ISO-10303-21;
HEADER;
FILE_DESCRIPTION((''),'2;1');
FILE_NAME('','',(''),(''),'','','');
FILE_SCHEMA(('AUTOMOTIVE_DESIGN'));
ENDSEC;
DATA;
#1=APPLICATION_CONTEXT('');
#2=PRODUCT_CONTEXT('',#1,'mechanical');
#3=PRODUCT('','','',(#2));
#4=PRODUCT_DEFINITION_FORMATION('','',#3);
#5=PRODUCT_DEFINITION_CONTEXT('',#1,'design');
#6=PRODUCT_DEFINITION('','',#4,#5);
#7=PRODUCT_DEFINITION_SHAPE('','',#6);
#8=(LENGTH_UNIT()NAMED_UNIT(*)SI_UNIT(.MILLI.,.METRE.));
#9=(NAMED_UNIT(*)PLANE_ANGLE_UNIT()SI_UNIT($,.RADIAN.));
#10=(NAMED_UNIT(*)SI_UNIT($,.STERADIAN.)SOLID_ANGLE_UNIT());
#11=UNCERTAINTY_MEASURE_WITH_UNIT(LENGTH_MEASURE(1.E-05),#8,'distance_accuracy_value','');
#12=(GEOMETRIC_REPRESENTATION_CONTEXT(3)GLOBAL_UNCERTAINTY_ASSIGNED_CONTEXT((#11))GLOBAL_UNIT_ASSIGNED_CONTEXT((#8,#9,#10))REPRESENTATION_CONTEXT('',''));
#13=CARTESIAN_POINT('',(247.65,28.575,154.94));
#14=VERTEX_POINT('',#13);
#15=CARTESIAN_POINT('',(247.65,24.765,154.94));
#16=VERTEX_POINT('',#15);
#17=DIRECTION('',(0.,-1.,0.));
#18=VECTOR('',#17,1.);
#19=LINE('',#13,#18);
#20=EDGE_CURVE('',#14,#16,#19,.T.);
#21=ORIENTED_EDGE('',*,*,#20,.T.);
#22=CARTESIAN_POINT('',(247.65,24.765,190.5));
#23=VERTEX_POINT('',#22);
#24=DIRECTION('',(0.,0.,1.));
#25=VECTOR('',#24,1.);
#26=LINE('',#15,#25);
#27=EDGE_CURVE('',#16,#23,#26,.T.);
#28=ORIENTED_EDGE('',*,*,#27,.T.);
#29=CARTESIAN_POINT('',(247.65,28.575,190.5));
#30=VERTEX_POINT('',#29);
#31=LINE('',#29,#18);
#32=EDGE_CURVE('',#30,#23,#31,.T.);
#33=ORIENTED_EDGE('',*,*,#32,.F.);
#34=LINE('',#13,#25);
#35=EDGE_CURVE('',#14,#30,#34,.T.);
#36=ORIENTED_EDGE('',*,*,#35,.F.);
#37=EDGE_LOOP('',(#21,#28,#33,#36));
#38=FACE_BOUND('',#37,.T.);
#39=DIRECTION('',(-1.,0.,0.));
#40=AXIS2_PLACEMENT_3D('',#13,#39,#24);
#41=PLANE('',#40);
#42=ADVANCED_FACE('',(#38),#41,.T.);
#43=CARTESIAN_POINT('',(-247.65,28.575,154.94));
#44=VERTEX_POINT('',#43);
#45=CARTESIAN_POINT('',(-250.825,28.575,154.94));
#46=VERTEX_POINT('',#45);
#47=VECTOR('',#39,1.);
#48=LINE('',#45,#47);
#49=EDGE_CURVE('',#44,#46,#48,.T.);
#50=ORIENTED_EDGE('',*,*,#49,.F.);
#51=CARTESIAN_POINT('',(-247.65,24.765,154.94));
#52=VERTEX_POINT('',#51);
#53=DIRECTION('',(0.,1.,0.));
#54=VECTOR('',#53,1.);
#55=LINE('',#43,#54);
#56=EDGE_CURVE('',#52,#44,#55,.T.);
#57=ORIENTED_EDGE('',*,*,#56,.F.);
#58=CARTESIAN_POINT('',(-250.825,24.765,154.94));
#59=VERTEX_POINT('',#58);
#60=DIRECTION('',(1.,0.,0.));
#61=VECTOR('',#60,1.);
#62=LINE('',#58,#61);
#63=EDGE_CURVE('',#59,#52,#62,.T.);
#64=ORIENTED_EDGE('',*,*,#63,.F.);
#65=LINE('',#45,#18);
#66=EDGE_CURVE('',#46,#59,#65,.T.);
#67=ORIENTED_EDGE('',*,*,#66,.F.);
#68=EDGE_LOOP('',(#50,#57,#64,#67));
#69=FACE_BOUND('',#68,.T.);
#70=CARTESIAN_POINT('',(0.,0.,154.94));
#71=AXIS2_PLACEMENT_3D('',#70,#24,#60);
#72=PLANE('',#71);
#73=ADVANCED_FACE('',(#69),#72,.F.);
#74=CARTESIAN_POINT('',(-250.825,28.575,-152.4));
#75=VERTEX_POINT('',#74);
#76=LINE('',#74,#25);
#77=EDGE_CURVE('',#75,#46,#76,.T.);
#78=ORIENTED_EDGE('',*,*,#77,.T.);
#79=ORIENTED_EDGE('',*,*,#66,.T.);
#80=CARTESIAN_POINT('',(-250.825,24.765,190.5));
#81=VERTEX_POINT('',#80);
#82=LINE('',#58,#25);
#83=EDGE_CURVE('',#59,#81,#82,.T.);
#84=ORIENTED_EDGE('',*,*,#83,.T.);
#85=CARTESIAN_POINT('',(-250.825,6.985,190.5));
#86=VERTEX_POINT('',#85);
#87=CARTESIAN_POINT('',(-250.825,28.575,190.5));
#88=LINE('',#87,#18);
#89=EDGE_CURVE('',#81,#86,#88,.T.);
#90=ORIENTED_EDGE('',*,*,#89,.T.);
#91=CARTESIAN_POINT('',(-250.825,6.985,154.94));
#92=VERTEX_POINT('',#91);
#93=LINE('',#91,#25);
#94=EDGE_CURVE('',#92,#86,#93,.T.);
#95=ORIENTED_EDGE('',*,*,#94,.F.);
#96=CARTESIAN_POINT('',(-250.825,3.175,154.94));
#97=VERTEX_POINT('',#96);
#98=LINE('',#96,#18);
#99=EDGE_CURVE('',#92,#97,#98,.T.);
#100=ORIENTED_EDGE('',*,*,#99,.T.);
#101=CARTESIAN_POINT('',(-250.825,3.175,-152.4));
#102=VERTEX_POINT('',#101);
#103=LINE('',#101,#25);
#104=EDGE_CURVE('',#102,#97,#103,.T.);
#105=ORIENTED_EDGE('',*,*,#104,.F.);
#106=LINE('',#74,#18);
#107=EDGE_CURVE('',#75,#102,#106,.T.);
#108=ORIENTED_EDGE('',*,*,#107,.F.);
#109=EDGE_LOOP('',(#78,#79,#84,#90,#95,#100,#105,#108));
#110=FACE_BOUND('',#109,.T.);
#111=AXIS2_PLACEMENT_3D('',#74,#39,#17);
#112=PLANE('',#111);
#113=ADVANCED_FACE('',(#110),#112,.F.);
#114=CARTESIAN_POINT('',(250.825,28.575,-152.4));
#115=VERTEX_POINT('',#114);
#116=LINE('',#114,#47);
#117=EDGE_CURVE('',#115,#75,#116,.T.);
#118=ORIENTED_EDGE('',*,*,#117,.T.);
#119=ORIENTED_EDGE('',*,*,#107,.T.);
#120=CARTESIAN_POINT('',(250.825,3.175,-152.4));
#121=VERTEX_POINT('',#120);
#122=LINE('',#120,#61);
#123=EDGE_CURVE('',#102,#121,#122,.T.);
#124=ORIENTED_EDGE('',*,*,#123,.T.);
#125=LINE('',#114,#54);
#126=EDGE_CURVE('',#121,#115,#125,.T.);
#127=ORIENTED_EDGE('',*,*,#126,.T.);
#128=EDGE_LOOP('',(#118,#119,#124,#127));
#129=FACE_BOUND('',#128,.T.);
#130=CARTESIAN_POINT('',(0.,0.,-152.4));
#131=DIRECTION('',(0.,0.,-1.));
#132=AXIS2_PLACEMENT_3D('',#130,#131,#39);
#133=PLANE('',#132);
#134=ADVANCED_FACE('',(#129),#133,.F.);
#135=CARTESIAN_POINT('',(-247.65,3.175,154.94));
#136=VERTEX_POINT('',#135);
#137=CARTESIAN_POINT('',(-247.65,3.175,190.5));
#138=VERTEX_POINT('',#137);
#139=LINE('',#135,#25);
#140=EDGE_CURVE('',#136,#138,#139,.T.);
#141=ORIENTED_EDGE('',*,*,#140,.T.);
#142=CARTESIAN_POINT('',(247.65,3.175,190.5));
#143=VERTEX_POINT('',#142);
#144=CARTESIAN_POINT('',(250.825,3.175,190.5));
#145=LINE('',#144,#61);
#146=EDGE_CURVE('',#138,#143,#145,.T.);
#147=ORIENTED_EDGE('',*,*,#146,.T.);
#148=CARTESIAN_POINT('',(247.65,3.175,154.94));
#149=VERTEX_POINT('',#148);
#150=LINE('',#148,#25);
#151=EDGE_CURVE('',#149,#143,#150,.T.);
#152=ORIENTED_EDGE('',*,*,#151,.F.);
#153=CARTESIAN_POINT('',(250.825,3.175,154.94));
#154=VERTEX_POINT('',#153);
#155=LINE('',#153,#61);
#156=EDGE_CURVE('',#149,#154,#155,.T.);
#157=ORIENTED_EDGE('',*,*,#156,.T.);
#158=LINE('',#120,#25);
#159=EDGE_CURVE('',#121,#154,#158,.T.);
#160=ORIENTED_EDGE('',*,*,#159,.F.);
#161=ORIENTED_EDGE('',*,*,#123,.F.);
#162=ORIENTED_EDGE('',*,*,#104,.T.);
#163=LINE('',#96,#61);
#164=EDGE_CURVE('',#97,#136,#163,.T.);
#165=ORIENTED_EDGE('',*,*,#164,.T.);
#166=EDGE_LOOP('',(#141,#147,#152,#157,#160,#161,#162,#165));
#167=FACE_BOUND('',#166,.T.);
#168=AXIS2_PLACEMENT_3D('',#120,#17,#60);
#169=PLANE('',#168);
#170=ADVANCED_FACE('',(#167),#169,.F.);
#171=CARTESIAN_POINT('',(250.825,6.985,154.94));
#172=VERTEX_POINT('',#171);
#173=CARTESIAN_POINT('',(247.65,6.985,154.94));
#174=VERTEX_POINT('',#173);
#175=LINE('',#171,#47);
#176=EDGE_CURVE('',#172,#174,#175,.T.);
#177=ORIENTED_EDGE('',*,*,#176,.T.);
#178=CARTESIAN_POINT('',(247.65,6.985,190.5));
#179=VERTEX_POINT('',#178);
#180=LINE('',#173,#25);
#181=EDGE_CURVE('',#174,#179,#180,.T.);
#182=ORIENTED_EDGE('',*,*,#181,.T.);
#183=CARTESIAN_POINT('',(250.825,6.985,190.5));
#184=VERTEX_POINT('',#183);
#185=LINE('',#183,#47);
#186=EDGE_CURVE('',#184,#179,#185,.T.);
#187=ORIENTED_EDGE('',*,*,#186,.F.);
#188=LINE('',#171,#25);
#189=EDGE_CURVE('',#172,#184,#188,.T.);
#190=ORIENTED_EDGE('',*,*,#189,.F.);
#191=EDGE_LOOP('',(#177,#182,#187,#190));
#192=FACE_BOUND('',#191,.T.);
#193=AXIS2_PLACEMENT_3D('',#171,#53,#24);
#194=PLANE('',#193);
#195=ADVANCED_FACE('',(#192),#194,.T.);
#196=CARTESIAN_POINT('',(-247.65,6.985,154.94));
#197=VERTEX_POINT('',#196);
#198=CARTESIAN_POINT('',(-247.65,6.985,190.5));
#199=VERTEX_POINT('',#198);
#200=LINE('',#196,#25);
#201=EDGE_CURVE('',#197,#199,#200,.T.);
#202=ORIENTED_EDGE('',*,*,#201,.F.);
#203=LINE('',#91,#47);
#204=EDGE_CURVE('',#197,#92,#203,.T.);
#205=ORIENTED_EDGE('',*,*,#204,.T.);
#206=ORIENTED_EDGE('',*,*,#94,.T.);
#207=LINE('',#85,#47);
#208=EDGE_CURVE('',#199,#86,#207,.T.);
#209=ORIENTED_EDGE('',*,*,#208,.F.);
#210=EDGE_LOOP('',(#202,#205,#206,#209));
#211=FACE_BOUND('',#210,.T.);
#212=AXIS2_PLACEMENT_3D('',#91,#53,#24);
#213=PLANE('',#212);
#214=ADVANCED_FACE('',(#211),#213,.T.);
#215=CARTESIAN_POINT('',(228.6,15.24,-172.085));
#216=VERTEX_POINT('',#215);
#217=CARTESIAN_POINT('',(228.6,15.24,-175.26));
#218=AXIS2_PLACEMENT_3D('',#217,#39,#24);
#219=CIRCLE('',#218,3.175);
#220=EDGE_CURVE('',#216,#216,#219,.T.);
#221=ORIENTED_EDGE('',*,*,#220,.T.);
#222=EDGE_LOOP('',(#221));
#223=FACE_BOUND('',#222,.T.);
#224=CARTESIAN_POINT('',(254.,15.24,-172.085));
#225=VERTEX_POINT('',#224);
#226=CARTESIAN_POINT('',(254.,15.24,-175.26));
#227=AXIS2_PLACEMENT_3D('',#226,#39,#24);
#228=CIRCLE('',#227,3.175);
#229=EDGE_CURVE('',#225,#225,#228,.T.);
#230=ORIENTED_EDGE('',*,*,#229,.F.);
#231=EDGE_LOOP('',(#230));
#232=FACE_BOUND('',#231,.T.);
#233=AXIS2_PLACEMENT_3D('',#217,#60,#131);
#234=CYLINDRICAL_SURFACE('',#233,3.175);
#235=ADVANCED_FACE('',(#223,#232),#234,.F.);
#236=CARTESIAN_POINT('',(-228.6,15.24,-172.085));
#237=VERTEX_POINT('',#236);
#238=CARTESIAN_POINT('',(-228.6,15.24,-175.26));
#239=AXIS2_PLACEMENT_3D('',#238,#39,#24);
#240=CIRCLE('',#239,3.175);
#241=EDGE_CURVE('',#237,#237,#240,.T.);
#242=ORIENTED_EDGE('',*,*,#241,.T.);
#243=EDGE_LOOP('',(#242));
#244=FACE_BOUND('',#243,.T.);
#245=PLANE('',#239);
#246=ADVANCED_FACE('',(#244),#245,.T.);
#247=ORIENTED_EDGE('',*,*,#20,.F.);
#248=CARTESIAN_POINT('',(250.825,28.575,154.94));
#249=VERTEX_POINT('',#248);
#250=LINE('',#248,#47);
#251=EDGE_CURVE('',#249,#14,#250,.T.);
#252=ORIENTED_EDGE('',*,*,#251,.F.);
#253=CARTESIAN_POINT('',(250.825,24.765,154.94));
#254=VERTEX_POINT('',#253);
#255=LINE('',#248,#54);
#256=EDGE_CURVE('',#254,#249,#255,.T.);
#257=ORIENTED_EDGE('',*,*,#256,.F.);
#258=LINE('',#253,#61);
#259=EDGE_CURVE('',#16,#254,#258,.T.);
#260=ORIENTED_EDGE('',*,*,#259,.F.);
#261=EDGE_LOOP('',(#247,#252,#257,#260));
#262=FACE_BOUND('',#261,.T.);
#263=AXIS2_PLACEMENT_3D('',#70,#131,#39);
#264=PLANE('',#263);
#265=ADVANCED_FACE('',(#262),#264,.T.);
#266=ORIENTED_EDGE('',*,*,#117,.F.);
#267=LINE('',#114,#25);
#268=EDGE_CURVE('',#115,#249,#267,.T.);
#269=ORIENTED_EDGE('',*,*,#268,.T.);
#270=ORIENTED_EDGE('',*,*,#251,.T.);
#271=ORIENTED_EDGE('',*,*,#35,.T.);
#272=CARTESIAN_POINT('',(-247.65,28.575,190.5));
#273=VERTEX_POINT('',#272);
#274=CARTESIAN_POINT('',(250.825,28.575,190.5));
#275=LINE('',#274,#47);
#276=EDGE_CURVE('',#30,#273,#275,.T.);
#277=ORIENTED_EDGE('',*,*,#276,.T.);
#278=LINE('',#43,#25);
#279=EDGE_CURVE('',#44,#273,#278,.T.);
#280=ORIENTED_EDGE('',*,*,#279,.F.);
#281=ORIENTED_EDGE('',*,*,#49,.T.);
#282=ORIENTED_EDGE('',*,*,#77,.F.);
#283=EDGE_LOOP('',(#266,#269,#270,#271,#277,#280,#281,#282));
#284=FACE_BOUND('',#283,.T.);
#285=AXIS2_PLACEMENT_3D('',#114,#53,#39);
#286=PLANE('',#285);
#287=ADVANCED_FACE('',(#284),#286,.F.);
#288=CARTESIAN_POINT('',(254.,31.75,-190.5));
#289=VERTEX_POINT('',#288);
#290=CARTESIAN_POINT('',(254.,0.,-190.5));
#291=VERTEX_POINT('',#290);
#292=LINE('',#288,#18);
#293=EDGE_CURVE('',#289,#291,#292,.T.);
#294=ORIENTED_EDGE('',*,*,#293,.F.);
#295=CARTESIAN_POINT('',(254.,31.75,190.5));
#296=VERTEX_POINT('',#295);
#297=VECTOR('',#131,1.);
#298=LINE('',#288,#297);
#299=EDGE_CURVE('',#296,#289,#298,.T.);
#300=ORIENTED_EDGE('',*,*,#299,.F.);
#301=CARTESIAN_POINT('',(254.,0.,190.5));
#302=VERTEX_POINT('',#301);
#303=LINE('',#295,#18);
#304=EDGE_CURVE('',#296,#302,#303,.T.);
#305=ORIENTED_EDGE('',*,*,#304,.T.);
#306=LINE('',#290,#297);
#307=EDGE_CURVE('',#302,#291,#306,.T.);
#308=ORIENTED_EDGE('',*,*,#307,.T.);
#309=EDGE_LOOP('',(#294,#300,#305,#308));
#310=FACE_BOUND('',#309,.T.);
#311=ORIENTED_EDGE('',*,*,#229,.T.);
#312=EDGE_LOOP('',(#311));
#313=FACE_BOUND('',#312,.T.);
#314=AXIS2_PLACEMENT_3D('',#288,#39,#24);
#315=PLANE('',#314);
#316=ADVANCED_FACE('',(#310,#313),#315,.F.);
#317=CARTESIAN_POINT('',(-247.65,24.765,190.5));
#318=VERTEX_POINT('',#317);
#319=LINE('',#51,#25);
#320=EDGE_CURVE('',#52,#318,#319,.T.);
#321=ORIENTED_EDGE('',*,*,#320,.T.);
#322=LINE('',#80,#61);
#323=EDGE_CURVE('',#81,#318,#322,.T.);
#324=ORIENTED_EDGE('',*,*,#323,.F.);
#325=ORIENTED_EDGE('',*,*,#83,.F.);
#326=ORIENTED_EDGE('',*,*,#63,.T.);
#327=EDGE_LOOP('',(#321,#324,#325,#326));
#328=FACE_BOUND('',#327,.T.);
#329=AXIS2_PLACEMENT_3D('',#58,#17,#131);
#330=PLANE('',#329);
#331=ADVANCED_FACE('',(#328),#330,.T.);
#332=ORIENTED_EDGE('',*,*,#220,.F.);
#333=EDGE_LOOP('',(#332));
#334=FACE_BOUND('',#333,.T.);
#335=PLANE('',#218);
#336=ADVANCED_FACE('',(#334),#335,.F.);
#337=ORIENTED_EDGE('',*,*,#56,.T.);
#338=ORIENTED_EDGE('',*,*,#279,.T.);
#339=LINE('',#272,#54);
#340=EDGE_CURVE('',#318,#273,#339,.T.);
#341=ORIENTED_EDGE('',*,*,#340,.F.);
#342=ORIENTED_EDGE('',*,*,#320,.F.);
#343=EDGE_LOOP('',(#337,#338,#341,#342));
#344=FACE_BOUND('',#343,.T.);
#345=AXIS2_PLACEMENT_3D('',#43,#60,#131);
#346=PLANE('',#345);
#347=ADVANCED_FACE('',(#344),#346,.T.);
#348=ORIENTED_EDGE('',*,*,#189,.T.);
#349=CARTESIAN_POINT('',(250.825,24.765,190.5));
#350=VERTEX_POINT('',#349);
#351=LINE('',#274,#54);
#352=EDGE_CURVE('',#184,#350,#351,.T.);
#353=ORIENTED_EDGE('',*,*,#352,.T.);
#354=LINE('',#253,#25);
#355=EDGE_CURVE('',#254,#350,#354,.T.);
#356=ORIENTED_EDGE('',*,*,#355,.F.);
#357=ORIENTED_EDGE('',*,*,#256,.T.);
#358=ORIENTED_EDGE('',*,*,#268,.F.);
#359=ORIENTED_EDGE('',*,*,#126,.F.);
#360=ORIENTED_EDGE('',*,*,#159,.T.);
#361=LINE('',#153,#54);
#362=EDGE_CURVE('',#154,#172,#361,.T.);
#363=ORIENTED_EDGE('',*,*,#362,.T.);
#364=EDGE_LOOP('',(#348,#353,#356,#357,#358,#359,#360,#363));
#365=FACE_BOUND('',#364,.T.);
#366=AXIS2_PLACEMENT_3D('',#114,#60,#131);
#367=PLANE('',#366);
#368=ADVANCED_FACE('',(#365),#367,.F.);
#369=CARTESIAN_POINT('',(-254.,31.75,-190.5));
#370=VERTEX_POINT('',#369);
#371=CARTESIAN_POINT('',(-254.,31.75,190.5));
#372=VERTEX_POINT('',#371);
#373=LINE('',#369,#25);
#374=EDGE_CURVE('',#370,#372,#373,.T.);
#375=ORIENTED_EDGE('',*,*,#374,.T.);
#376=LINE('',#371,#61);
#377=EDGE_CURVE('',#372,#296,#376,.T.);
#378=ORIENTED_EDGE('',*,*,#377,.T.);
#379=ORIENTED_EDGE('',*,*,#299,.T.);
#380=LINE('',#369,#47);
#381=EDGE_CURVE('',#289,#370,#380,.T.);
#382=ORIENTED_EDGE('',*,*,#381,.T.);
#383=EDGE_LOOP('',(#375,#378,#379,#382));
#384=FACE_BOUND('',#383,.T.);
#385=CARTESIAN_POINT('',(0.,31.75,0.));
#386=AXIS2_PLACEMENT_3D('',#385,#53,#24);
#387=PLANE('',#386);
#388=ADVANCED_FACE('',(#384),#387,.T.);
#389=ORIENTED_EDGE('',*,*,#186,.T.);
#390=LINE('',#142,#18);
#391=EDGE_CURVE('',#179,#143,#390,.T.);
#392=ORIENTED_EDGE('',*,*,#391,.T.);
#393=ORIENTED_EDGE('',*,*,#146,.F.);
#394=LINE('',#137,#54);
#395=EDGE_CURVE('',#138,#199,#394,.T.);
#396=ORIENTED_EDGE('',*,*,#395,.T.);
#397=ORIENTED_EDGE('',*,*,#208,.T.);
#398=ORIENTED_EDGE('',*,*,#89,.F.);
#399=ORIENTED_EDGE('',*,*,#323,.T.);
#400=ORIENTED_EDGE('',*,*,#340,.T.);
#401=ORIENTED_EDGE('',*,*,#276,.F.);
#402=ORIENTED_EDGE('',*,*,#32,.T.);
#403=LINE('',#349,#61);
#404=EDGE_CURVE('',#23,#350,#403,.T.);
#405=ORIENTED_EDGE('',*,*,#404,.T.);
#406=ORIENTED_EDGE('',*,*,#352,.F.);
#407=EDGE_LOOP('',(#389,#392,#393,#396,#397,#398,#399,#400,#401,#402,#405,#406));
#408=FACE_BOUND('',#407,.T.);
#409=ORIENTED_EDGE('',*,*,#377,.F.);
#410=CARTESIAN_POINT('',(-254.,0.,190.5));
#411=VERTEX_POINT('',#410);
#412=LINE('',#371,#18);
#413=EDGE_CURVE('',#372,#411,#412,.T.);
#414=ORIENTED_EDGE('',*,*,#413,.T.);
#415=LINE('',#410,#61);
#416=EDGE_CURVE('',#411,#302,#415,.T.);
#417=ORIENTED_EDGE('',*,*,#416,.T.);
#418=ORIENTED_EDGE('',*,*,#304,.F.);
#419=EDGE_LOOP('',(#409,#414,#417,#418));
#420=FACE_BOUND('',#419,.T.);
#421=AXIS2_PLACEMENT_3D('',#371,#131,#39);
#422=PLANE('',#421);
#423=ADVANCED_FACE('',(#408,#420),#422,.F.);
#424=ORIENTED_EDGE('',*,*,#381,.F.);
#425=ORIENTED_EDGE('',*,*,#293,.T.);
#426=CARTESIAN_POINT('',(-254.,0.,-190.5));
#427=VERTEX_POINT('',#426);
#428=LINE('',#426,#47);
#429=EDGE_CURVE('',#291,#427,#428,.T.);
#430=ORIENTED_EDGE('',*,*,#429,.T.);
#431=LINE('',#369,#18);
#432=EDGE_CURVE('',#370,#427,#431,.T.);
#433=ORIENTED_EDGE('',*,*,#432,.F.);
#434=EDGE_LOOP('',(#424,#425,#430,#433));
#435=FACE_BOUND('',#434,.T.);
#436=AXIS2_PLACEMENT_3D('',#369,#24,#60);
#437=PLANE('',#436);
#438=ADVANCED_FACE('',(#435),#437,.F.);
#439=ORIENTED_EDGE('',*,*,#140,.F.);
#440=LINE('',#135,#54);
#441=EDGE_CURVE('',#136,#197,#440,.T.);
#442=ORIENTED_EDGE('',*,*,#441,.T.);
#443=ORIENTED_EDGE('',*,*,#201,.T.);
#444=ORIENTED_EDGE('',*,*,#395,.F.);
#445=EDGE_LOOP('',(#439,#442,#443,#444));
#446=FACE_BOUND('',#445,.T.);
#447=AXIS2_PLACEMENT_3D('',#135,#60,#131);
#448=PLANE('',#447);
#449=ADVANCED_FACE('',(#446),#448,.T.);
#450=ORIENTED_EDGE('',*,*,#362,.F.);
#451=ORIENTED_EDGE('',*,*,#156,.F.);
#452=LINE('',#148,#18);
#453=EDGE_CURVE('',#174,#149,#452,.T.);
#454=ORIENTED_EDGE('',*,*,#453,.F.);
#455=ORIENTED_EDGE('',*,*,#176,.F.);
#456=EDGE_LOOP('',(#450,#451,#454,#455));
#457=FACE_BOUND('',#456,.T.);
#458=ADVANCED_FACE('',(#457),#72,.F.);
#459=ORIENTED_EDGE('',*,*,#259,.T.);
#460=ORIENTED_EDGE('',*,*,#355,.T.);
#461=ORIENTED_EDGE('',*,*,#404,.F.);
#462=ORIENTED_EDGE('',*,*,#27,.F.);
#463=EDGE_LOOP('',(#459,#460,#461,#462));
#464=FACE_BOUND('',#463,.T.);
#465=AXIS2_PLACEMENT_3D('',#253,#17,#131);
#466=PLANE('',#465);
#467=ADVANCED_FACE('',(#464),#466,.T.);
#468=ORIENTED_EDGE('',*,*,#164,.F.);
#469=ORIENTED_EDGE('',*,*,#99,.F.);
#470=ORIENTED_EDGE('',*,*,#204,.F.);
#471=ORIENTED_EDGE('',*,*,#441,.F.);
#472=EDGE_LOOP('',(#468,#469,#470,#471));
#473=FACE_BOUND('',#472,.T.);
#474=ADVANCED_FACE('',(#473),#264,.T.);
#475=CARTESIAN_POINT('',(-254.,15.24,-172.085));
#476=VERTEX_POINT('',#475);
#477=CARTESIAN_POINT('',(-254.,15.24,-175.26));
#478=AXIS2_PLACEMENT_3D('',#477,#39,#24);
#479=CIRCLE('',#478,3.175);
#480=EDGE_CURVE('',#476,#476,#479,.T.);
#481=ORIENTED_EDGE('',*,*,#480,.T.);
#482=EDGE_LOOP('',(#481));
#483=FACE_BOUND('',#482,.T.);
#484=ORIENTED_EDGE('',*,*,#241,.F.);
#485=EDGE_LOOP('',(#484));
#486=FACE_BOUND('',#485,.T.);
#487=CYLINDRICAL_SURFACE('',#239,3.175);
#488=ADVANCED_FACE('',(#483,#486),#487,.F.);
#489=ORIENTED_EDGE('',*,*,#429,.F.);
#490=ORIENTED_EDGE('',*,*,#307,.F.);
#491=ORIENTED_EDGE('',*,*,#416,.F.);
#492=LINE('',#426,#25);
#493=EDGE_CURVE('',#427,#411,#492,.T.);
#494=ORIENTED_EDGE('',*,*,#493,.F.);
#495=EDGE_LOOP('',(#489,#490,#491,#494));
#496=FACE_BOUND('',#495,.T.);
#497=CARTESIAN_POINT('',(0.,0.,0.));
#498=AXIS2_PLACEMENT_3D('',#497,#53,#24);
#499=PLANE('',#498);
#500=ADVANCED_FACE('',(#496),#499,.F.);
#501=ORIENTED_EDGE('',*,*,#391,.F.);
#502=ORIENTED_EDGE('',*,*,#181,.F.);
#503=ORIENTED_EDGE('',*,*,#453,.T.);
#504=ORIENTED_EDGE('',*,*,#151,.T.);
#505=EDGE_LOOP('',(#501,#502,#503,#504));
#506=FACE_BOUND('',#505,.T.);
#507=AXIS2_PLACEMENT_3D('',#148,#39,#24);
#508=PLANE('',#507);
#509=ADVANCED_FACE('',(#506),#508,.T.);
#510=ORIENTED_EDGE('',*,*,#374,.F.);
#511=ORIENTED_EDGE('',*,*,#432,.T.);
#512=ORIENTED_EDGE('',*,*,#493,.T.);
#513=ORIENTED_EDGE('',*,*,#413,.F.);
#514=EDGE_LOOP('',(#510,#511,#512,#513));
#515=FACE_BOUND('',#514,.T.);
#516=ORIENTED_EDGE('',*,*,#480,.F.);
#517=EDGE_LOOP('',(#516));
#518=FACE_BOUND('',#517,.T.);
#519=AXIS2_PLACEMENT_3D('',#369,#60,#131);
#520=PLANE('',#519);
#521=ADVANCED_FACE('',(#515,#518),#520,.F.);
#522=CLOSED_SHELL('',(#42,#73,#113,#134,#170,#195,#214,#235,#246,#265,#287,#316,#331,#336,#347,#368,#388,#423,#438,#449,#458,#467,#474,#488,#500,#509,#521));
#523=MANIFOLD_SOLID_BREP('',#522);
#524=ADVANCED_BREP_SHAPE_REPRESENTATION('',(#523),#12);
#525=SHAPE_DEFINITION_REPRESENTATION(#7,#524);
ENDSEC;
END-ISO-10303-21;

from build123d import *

# Parameters (mm, degrees)
SKETCH1_W           = 508
SKETCH1_H           = 381
BOSS_EXTRUDE1_DEPTH = 31.75
SKETCH2_W           = 501.65
SKETCH2_H           = 25.4
CUT_EXTRUDE1_DEPTH  = 342.9
SKETCH3_W           = 3.175
SKETCH3_H           = 3.81
BOSS_EXTRUDE2_DEPTH = 35.56
SKETCH4_R           = 3.175
CUT_EXTRUDE2_DEPTH  = 25.4
CUT_EXTRUDE3_START  = -482.6
SKETCH4_2_R         = 3.175
CUT_EXTRUDE3_DEPTH  = 25.4


with BuildPart() as part:
    # Sketch1 → Boss-Extrude1 (new body)
    with BuildSketch(Plane(origin=(0, 0, 0), x_dir=(1, 0, 0), z_dir=(0, 1, 0))):
        Rectangle(SKETCH1_W, SKETCH1_H)
    extrude(amount=BOSS_EXTRUDE1_DEPTH)

    # Sketch2 → Cut-Extrude1 (cut)
    with BuildSketch(Plane.XY.offset(190.5)):
        with Locations((0, 15.875)):
            Rectangle(SKETCH2_W, SKETCH2_H)
    extrude(amount=-CUT_EXTRUDE1_DEPTH, mode=Mode.SUBTRACT)

    # Sketch3 → Boss-Extrude2 (add)
    with BuildSketch(Plane.XY.offset(190.5)):
        with Locations((-249.2375, 26.67)):
            Rectangle(SKETCH3_W, SKETCH3_H)
        with Locations((-249.2375, 5.08)):
            Rectangle(SKETCH3_W, SKETCH3_H)
        with Locations((249.2375, 5.08)):
            Rectangle(SKETCH3_W, SKETCH3_H)
        with Locations((249.2375, 26.67)):
            Rectangle(SKETCH3_W, SKETCH3_H)
    extrude(amount=-BOSS_EXTRUDE2_DEPTH)

    # Sketch4 → Cut-Extrude2 (cut)
    with BuildSketch(Plane.ZY.offset(254)):
        with Locations((-175.26, 15.24)):
            Circle(SKETCH4_R)
    extrude(amount=-CUT_EXTRUDE2_DEPTH, mode=Mode.SUBTRACT)

    # Sketch4<2> → Cut-Extrude3 (cut)
    with BuildSketch(Plane.ZY.offset(254).offset(CUT_EXTRUDE3_START)):
        with Locations((-175.26, 15.24)):
            Circle(SKETCH4_2_R)
    extrude(amount=-CUT_EXTRUDE3_DEPTH, mode=Mode.SUBTRACT)


solid = part.part
